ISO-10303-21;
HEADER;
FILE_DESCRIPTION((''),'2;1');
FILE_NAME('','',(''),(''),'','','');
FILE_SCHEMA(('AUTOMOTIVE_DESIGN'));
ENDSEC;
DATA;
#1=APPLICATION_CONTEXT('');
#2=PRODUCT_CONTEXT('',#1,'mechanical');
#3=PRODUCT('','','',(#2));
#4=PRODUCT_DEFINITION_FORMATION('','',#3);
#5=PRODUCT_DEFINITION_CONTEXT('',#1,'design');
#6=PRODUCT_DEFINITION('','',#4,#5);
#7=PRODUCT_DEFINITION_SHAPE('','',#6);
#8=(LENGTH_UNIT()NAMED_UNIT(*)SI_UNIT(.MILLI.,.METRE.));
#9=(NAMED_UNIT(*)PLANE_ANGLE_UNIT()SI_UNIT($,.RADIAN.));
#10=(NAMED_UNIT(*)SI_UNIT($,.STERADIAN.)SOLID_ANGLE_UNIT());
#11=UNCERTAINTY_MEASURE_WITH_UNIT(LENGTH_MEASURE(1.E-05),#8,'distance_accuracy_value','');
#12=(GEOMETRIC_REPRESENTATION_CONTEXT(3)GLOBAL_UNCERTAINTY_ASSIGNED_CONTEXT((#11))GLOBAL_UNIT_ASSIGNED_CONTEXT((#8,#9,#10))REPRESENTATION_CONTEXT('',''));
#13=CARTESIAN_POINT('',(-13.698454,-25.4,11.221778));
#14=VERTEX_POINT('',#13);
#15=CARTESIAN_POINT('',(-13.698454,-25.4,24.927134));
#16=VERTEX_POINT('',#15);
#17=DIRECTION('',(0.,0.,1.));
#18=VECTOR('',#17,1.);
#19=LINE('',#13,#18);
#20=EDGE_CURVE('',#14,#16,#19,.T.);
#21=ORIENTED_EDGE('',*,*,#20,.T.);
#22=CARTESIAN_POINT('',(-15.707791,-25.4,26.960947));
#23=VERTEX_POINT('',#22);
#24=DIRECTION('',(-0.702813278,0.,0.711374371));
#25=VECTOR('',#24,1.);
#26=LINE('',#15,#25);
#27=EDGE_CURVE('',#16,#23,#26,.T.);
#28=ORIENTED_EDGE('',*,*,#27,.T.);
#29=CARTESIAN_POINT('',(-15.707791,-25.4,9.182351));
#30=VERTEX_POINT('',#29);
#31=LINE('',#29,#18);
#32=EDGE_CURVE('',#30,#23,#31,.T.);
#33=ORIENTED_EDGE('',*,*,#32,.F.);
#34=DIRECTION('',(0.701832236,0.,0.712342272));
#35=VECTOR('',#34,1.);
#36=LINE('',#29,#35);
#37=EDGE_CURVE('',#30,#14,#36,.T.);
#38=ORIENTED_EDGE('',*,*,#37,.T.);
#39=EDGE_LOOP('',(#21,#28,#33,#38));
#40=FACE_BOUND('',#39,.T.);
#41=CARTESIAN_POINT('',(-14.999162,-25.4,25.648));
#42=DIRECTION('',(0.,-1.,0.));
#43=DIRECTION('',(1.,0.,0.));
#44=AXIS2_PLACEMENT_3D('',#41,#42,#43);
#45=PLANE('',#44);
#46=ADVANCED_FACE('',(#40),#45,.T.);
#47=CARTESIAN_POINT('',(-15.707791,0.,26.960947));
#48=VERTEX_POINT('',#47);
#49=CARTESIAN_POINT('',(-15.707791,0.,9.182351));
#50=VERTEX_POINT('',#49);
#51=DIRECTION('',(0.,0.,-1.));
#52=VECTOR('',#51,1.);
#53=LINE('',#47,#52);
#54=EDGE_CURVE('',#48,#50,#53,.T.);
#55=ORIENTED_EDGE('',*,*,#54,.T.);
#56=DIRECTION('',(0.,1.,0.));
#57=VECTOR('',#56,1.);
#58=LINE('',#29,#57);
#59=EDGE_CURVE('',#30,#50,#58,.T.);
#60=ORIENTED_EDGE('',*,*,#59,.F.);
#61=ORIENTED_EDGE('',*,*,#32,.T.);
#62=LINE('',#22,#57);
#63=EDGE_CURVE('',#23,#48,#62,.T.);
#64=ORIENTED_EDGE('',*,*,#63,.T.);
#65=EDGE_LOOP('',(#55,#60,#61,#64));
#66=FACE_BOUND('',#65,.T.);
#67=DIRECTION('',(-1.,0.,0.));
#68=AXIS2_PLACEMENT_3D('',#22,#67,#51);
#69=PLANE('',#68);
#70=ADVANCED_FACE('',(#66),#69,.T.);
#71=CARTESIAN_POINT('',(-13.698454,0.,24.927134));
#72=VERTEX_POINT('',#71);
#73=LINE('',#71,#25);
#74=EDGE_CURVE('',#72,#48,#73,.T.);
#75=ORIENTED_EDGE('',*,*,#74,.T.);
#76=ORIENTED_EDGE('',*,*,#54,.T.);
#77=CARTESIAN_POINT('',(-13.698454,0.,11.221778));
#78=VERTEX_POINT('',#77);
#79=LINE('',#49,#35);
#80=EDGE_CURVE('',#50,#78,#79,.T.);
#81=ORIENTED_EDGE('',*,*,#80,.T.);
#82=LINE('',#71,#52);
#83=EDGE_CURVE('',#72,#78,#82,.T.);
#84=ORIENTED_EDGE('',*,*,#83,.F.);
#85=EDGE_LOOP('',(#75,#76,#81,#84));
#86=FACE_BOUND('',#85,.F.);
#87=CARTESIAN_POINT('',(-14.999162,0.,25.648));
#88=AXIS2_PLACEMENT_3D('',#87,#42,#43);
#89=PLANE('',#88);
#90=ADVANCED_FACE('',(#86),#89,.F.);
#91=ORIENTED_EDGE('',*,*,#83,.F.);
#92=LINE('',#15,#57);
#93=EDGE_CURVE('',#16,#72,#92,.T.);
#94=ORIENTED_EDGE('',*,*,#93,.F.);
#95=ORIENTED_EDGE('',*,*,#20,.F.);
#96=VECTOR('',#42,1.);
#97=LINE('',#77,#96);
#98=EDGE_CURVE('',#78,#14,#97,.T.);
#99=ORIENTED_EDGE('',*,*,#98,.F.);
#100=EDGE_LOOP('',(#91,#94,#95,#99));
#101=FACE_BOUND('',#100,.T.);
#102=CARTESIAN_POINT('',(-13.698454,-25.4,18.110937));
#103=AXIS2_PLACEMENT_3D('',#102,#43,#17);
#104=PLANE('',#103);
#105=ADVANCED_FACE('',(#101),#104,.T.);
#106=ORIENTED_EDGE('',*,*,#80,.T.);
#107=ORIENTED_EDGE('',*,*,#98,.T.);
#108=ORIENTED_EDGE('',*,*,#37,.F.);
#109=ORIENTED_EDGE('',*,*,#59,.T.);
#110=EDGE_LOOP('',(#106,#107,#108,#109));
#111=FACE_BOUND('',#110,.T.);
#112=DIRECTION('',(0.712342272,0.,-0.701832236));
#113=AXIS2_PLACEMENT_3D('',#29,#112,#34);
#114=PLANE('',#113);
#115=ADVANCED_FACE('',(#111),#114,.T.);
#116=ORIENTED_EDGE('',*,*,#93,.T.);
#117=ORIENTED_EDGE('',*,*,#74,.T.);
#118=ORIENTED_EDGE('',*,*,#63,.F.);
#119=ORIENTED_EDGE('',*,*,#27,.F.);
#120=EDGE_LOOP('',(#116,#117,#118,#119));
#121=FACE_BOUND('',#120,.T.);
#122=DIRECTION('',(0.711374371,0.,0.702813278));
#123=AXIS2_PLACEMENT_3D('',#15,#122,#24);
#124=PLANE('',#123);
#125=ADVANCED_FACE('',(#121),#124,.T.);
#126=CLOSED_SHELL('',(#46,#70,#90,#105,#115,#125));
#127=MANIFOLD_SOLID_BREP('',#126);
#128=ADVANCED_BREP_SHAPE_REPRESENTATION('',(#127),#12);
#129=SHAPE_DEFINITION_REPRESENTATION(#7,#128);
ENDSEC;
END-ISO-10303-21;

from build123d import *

# Parameters (mm, degrees)
F0_W     = 2.0093368366
F0_H     = 6.8891588598
F1_DEPTH = 25.4
F2_W     = 2.0093368366
F2_H     = 6.8161971867
F3_DEPTH = 25.4
F5_DEPTH = 25.4


with BuildPart() as f1:
    # F0 (on Front) → F1 (new body)
    with BuildSketch(Plane.XZ):
        with Locations((-14.7031224333, 14.6663570777)):
            Rectangle(F0_W, F0_H)
    extrude(amount=F1_DEPTH)

    # F2 (on face) → F3 (join)
    with BuildSketch(Plane.XZ.offset(25.4)):
        with Locations((-14.7031224333, 21.5190351009)):
            Rectangle(F2_W, F2_H)
    extrude(amount=-F3_DEPTH)

    # F4 (on face) → F5 (join)
    with BuildSketch(Plane.XZ.offset(25.4)):
        Polygon((-15.7077908516, 26.9609466195), (-15.7077908516, 24.9271336943), (-13.698454015, 24.9271336943), align=None)
        Polygon((-13.698454015, 11.2217776477), (-15.7077908516, 11.2217776477), (-15.7077908516, 9.18235071), align=None)
    extrude(amount=-F5_DEPTH)


solid = f1.part
